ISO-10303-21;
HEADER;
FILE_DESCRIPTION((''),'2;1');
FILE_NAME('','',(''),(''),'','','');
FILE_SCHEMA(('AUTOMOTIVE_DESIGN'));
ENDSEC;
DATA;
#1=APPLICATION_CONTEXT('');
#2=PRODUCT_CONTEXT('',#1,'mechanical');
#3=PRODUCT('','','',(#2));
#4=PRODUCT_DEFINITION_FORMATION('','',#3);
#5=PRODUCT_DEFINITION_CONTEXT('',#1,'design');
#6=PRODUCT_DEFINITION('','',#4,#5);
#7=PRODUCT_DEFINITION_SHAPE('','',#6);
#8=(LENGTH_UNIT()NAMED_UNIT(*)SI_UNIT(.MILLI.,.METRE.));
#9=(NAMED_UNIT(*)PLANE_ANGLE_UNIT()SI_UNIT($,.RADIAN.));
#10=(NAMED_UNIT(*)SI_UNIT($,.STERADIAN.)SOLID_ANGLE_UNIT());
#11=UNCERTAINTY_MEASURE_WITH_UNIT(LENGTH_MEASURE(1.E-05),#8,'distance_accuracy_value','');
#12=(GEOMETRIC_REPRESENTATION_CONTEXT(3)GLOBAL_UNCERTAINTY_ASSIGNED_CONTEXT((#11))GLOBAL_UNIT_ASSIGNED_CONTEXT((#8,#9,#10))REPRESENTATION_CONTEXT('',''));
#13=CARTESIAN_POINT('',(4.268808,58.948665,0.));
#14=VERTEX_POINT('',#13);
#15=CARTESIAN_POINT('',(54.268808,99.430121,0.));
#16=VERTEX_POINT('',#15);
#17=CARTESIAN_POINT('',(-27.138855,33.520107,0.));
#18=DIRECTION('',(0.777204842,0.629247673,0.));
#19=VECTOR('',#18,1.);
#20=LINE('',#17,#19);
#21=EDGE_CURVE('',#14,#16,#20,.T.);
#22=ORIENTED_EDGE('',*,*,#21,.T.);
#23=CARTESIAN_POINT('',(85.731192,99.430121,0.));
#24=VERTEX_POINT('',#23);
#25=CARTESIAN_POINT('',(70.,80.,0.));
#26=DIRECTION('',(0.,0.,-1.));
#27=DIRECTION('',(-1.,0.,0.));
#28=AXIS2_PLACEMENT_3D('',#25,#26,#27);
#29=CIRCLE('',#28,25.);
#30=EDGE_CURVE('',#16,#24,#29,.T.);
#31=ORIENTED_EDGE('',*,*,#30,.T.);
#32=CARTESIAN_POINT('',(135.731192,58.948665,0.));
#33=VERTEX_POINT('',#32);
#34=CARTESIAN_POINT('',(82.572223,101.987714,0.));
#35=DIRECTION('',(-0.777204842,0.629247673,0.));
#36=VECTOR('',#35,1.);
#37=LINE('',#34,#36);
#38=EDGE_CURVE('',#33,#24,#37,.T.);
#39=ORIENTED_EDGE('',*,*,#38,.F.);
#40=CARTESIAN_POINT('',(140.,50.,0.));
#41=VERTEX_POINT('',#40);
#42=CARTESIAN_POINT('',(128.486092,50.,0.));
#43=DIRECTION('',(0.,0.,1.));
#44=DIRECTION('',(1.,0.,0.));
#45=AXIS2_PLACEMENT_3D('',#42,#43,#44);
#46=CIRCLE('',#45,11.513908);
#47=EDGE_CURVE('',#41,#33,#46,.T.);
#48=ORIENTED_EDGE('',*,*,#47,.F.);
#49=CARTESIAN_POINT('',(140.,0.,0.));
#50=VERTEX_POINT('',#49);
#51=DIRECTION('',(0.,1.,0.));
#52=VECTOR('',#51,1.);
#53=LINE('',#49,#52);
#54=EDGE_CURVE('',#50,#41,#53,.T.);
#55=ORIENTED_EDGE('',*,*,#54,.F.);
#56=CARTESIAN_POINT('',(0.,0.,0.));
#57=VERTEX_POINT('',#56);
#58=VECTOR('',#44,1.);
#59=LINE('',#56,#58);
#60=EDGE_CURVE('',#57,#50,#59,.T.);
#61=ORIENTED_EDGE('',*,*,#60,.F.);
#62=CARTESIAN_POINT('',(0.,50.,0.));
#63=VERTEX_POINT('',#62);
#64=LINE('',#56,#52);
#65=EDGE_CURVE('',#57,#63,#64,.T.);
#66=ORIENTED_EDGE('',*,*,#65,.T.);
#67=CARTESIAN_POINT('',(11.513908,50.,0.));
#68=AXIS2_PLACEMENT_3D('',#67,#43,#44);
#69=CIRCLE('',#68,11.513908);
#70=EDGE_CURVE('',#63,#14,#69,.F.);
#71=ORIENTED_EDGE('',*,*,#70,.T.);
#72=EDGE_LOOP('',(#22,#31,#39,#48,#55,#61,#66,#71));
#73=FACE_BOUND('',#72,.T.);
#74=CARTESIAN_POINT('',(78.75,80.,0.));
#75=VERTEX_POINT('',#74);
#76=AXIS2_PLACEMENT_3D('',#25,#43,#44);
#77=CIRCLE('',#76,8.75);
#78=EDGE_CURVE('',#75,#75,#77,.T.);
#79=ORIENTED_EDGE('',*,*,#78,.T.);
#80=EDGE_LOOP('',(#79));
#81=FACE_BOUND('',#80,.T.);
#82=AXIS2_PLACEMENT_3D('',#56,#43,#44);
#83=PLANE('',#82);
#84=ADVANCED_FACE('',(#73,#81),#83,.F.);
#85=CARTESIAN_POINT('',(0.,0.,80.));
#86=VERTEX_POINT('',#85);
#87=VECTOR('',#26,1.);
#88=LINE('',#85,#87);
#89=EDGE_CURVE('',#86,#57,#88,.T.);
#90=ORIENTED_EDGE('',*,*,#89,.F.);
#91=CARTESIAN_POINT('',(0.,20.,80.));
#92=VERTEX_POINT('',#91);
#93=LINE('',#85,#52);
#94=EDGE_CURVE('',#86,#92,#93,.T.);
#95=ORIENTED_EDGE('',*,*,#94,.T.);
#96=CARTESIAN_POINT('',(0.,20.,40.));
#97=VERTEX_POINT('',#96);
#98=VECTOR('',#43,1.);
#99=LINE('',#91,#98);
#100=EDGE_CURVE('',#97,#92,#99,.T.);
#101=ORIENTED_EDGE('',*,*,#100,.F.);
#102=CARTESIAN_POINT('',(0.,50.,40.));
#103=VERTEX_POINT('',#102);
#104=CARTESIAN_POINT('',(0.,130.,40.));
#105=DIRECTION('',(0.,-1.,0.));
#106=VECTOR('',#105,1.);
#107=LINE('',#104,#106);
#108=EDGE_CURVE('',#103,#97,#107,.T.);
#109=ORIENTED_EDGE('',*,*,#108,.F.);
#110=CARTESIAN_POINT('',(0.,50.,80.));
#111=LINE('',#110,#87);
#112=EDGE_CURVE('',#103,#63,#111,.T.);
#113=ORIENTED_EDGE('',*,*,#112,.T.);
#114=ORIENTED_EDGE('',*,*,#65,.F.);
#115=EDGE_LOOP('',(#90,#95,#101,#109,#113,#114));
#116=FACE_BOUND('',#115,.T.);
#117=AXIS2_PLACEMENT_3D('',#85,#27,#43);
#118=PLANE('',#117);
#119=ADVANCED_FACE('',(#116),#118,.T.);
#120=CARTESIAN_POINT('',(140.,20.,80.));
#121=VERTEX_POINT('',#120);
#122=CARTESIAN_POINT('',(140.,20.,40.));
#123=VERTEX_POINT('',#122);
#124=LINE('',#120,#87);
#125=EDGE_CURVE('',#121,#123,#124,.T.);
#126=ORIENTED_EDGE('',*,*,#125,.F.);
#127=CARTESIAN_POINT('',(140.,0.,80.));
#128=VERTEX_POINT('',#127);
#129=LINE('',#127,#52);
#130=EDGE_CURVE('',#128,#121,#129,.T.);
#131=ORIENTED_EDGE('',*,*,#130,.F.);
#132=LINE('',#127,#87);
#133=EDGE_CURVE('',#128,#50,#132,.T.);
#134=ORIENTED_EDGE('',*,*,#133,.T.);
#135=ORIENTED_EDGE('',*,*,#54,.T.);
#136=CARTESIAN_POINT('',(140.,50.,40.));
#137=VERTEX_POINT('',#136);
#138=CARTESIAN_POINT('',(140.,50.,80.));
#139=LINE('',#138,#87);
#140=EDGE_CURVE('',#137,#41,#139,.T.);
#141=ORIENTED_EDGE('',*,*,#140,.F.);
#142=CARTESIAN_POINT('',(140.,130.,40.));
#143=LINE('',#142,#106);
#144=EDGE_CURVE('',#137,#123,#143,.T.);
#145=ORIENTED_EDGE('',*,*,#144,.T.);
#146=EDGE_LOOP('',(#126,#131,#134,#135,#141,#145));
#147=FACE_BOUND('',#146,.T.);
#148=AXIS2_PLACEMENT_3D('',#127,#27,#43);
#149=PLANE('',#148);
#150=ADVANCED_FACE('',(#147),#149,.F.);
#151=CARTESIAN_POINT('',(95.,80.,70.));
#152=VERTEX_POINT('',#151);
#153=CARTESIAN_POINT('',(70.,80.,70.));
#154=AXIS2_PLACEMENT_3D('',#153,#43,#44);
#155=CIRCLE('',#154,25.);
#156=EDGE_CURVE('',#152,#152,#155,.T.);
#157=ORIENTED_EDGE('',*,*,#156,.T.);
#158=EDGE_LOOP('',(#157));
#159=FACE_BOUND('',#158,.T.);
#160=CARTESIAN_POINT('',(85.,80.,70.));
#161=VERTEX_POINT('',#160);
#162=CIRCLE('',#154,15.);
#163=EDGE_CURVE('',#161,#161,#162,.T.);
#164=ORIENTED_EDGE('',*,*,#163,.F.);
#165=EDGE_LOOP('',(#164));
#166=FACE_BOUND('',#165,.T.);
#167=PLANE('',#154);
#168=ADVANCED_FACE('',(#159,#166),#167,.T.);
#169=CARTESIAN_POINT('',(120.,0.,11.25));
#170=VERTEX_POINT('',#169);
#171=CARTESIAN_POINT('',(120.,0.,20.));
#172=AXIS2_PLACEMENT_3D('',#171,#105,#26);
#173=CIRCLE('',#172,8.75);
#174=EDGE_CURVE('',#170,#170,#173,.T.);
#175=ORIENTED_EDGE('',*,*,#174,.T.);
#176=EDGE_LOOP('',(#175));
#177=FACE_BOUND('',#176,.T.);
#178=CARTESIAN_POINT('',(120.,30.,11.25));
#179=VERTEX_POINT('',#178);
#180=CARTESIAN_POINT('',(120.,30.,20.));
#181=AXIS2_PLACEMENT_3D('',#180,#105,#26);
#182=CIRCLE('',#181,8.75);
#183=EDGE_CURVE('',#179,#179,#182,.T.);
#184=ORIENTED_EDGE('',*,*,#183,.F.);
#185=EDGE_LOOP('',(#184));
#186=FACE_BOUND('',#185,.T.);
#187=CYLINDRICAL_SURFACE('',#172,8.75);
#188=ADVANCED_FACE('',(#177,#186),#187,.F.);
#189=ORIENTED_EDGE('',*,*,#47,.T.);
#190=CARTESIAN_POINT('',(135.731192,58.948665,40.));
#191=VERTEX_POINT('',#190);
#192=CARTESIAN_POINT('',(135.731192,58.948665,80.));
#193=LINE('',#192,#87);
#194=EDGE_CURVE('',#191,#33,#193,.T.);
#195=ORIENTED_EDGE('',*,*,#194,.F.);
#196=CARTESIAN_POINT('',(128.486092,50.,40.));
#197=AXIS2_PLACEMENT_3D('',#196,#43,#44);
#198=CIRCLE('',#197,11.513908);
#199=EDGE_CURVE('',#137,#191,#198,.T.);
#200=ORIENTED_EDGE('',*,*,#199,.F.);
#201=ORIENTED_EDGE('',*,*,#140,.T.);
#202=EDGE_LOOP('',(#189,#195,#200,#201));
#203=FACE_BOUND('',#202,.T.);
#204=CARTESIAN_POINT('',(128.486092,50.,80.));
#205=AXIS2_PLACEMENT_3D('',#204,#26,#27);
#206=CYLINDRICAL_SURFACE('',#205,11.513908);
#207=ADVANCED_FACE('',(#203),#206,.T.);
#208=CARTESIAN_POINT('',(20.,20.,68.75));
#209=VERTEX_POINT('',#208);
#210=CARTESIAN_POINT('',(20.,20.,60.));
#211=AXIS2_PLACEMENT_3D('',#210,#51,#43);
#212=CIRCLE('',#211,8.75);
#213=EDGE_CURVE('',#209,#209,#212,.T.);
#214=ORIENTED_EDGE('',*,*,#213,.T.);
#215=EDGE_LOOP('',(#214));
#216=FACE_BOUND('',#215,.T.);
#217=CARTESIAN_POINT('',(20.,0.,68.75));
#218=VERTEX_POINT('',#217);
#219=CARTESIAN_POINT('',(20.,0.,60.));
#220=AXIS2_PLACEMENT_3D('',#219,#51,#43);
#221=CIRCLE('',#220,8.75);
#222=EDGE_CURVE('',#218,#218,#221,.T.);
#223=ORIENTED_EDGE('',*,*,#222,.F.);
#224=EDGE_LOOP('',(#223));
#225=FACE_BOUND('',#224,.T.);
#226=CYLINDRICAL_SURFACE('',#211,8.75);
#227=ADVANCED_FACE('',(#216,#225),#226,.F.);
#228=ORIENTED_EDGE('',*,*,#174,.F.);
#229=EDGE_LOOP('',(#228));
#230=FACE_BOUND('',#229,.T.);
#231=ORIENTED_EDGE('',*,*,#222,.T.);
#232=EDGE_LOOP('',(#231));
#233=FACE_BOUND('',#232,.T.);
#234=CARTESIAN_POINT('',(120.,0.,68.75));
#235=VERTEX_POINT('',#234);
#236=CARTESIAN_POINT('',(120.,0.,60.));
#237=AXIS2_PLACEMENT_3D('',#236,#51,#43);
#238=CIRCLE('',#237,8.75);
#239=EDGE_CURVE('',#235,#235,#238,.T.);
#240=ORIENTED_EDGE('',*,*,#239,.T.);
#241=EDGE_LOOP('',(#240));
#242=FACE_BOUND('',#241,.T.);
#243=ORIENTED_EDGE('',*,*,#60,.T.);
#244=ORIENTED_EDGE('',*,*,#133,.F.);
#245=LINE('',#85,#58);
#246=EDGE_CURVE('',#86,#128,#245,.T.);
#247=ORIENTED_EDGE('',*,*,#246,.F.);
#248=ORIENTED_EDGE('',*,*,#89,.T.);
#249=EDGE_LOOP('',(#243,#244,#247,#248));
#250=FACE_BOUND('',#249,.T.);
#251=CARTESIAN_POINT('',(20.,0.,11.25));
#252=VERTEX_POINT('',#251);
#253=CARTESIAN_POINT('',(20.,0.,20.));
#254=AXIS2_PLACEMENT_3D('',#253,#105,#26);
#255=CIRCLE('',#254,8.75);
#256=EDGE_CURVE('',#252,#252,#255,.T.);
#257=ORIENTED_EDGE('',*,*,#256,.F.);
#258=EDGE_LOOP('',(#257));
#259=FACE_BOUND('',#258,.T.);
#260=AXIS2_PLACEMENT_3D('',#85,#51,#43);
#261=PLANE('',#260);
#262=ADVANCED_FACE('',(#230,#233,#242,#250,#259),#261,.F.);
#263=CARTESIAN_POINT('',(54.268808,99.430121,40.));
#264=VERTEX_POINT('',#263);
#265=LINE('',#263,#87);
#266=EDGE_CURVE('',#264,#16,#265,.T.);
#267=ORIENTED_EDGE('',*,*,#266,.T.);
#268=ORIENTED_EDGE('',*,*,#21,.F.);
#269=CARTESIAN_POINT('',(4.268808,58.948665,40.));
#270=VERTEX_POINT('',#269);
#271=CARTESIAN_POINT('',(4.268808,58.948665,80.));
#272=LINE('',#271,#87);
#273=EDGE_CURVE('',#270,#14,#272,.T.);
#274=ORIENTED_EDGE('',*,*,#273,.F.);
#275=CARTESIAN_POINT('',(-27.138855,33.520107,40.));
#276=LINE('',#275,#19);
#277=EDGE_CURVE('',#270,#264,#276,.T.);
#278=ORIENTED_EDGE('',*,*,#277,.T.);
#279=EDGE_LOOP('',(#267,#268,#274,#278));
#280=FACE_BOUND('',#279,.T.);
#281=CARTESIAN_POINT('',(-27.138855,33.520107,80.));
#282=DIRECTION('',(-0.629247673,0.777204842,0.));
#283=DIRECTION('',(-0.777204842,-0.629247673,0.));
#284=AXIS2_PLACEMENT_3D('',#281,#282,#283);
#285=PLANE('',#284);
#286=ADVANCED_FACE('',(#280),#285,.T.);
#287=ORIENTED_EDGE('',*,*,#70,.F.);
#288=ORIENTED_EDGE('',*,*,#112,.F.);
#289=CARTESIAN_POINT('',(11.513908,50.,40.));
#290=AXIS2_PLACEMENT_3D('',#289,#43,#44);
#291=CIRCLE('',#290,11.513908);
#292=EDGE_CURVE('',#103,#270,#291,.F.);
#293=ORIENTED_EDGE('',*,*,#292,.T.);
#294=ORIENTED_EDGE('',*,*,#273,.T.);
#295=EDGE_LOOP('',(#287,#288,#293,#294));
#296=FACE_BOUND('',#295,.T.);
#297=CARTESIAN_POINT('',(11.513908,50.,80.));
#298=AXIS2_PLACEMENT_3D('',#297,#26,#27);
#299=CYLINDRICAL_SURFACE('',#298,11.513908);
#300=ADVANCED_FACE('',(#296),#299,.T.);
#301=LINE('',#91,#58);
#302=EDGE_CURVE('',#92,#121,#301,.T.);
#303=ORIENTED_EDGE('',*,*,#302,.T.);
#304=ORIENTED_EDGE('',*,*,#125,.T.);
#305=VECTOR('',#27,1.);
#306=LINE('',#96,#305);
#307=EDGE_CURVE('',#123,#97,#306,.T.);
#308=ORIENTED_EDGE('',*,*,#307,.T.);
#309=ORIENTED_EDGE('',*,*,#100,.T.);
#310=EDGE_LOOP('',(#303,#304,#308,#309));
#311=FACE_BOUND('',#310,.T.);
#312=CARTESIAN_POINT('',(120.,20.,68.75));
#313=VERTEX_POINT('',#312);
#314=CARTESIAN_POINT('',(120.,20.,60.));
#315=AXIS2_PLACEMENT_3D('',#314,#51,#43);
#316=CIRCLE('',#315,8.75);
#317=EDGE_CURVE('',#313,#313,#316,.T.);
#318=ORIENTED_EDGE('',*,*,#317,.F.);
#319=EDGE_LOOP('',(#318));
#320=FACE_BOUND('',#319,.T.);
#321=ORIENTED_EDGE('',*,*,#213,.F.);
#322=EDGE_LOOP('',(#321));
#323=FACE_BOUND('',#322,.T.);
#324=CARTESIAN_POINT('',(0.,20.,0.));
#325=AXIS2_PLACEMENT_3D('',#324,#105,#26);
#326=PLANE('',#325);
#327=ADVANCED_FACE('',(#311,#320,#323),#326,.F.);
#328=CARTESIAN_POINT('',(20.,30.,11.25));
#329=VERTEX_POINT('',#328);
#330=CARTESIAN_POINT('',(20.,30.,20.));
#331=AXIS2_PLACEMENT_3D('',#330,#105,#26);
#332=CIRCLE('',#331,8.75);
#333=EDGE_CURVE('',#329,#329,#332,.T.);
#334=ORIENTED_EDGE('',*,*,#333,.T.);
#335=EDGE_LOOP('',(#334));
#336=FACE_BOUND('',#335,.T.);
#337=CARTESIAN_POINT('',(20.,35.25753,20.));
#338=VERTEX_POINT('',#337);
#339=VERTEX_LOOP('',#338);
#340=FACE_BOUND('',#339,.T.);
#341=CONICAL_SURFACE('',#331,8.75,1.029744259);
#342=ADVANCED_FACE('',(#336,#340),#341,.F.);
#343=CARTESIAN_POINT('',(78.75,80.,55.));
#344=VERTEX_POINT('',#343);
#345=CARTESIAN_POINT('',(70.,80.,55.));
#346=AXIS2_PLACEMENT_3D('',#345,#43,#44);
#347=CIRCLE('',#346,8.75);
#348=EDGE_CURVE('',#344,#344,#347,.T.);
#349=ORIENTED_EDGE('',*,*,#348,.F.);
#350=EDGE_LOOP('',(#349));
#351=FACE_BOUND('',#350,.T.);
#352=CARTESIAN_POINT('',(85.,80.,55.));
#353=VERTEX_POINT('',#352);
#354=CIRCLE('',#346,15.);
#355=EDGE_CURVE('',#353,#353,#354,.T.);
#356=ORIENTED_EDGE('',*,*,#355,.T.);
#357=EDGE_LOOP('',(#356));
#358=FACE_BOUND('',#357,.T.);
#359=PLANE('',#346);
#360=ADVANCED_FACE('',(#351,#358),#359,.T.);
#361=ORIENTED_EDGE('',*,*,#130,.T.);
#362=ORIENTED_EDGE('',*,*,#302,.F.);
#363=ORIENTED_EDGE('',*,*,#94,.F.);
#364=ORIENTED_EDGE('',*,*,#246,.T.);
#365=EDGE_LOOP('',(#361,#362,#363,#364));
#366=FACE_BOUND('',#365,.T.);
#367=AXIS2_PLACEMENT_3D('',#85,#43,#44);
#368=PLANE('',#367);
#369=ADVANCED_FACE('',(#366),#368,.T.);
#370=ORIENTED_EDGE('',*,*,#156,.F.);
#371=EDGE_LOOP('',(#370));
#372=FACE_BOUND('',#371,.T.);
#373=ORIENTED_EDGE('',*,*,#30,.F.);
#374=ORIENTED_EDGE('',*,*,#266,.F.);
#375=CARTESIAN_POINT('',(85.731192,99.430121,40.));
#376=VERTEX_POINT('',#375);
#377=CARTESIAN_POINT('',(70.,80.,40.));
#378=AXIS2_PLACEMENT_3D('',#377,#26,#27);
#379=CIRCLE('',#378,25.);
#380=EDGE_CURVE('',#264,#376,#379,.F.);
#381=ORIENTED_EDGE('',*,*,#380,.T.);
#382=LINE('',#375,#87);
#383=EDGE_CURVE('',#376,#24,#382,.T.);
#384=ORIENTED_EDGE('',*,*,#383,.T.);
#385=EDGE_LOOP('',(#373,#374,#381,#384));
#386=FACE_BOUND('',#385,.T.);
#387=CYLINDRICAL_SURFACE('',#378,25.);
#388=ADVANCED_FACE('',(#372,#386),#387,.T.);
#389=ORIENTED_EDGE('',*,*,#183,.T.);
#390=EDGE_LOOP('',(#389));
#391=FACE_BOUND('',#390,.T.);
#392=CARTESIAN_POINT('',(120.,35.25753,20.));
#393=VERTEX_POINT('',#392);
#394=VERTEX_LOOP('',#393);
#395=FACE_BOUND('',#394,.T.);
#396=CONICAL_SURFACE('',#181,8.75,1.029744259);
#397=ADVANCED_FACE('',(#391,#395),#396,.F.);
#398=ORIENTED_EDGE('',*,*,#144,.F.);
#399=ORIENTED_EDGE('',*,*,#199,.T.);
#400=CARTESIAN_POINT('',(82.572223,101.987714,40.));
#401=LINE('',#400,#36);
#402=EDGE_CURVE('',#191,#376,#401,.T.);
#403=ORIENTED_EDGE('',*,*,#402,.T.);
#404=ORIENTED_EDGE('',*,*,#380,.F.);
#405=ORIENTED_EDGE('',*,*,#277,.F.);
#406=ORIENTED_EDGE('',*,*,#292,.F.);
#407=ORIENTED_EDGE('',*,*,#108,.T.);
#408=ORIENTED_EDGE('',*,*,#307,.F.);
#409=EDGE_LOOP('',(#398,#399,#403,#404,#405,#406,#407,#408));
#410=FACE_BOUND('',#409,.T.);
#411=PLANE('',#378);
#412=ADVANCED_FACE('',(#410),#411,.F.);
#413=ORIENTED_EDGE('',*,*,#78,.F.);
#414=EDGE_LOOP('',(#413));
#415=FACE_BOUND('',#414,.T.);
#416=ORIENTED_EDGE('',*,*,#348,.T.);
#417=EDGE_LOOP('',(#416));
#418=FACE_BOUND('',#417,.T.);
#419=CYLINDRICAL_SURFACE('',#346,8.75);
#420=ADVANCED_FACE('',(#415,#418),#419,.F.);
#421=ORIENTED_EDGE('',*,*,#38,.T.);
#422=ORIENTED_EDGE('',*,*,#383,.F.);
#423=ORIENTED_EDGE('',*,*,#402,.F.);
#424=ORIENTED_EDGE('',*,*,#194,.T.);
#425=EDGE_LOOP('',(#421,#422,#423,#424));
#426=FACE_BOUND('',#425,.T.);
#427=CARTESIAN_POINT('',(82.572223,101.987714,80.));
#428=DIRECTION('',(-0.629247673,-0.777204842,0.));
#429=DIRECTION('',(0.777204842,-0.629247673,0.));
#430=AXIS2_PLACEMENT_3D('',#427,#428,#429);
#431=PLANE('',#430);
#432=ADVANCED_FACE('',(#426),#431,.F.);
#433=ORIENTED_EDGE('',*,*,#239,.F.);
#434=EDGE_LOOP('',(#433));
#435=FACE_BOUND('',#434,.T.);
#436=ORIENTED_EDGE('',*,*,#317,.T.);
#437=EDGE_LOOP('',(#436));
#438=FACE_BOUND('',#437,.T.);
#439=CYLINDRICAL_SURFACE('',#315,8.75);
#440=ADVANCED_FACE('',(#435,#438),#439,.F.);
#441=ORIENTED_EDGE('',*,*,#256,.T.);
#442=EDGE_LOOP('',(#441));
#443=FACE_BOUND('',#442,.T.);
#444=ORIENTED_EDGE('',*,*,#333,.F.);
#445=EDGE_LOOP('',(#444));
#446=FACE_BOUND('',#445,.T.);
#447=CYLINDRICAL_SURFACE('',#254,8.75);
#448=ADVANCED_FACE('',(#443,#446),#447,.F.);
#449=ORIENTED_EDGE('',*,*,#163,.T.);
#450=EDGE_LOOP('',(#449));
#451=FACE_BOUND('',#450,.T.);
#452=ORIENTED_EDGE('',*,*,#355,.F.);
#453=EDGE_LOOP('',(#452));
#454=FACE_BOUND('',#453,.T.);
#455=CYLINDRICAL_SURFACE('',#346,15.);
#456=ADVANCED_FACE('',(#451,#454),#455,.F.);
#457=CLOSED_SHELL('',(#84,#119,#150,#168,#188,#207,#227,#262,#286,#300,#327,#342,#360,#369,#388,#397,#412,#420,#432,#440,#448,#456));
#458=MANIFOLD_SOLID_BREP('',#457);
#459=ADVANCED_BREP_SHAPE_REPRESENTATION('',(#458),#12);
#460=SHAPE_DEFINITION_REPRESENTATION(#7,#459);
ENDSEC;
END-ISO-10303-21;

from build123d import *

# Parameters (mm, degrees)
BOSS_EXTRUDE1_DEPTH    = 80
SKETCH2_R              = 25
BOSS_EXTRUDE2_DEPTH    = 40
CUT_EXTRUDE2_DEPTH     = 40
M20_TAPPED_HOLE2_D     = 17.5
M20_TAPPED_HOLE2_DEPTH = 30
M20_TAPPED_HOLE2_TIP   = 5.257530416
SKETCH9_W              = 140
SKETCH9_H              = 40
CUT_EXTRUDE3_DEPTH     = 110
M20_TAPPED_HOLE3_D     = 17.5
M20_TAPPED_HOLE3_DEPTH = 37.5
M20_TAPPED_HOLE3_TIP   = 5.257530416
SKETCH14_R             = 25
SKETCH14_R_2           = 15
BOSS_EXTRUDE3_DEPTH    = 30
SKETCH15_R             = 15
BOSS_EXTRUDE4_DEPTH    = 30
SKETCH16_R             = 15
CUT_EXTRUDE4_DEPTH     = 15
M20_TAPPED_HOLE4_D     = 17.5
M20_TAPPED_HOLE4_DEPTH = 60
M20_TAPPED_HOLE4_TIP   = 5.257530416


with BuildPart() as part:
    # Sketch1 → Boss-Extrude1 (new body)
    with BuildSketch(Plane.XY):
        with BuildLine():
            Line((54.268808187, 99.430121053), (4.268808187, 58.948665044))
            ThreePointArc((4.268808187, 58.948665044), (1.121855986, 54.957351344), (0, 50))
            Line((0, 50), (0, 0))
            Line((0, 0), (140, 0))
            Line((140, 0), (140, 50))
            ThreePointArc((140, 50), (138.878144014, 54.957351344), (135.731191813, 58.948665044))
            Line((135.731191813, 58.948665044), (85.731191813, 99.430121053))
            ThreePointArc((85.731191813, 99.430121053), (92.56412856, 90.763833069), (95, 80))
            ThreePointArc((95, 80), (59.236166931, 57.43587144), (54.268808187, 99.430121053))
        make_face()
    extrude(amount=BOSS_EXTRUDE1_DEPTH)

    # Sketch2 → Boss-Extrude2 (add)
    with BuildSketch(Plane(origin=(0, 0, 0), x_dir=(-1, 0, 0), z_dir=(0, 0, -1))):
        with Locations((-70, 80)):
            Circle(SKETCH2_R)
    extrude(amount=-BOSS_EXTRUDE2_DEPTH)

    # Sketch3 → Cut-Extrude2 (cut)
    with BuildSketch(Plane.XY.offset(80)):
        with BuildLine():
            ThreePointArc((54.268808187, 99.430121053), (47.43587144, 90.763833069), (45, 80))
            Line((45, 80), (95, 80))
            ThreePointArc((95, 80), (92.56412856, 90.763833069), (85.731191813, 99.430121053))
            Line((85.731191813, 99.430121053), (95, 91.925824036))
            Line((95, 91.925824036), (95, 118.127818218))
            Line((95, 118.127818218), (45, 118.127818218))
            Line((45, 118.127818218), (45, 91.925824036))
            Line((45, 91.925824036), (54.268808187, 99.430121053))
        make_face()
        with BuildLine():
            Line((45, 91.925824036), (45, 80))
            ThreePointArc((45, 80), (47.43587144, 90.763833069), (54.268808187, 99.430121053))
            Line((54.268808187, 99.430121053), (45, 91.925824036))
        make_face()
        with BuildLine():
            ThreePointArc((85.731191813, 99.430121053), (92.56412856, 90.763833069), (95, 80))
            Line((95, 80), (95, 91.925824036))
            Line((95, 91.925824036), (85.731191813, 99.430121053))
        make_face()
    extrude(amount=-CUT_EXTRUDE2_DEPTH, mode=Mode.SUBTRACT)

    # M20 Tapped Hole2
    with Locations(Plane(origin=(20, 0, 20), x_dir=(0, 0, -1), z_dir=(0, -1, 0))):
        with Locations((0, 0), (0, 100)):
            Hole(M20_TAPPED_HOLE2_D / 2, depth=M20_TAPPED_HOLE2_DEPTH)
            with Locations((0, 0, -(M20_TAPPED_HOLE2_DEPTH + M20_TAPPED_HOLE2_TIP / 2))):  # 118° drill point
                Cone(0, M20_TAPPED_HOLE2_D / 2, M20_TAPPED_HOLE2_TIP, mode=Mode.SUBTRACT)

    # Sketch9 → Cut-Extrude3 (cut)
    with BuildSketch(Plane(origin=(0, 20, 0), x_dir=(1, 0, 0), z_dir=(0, 1, 0))):
        with Locations((70, -60)):
            Rectangle(SKETCH9_W, SKETCH9_H)
    extrude(amount=CUT_EXTRUDE3_DEPTH, mode=Mode.SUBTRACT)

    # M20 Tapped Hole3
    with Locations(Plane(origin=(20, 20, 60), x_dir=(0, 0, 1), z_dir=(0, 1, 0))):
        with Locations((0, 0), (0, 100)):
            Hole(M20_TAPPED_HOLE3_D / 2, depth=M20_TAPPED_HOLE3_DEPTH)
            with Locations((0, 0, -(M20_TAPPED_HOLE3_DEPTH + M20_TAPPED_HOLE3_TIP / 2))):  # 118° drill point
                Cone(0, M20_TAPPED_HOLE3_D / 2, M20_TAPPED_HOLE3_TIP, mode=Mode.SUBTRACT)

    # Sketch14 → Boss-Extrude3 (add)
    with BuildSketch(Plane.XY.offset(40)):
        with Locations(Location((70, 80, 0), (0, 0, 128.994638965))):
            Circle(SKETCH14_R)
        with Locations((70, 80)):
            Circle(SKETCH14_R_2, mode=Mode.SUBTRACT)
    extrude(amount=BOSS_EXTRUDE3_DEPTH)

    # Sketch15 → Boss-Extrude4 (add)
    with BuildSketch(Plane.XY.offset(40)):
        with Locations((70, 80)):
            Circle(SKETCH15_R)
    extrude(amount=BOSS_EXTRUDE4_DEPTH)

    # Sketch16 → Cut-Extrude4 (cut)
    with BuildSketch(Plane.XY.offset(70)):
        with Locations((70, 80)):
            Circle(SKETCH16_R)
    extrude(amount=-CUT_EXTRUDE4_DEPTH, mode=Mode.SUBTRACT)

    # M20 Tapped Hole4
    with Locations(Plane(origin=(70, 80, 55), x_dir=(1, 0, 0), z_dir=(0, 0, 1))):
        with Locations((0, 0)):
            Hole(M20_TAPPED_HOLE4_D / 2, depth=M20_TAPPED_HOLE4_DEPTH)
            with Locations((0, 0, -(M20_TAPPED_HOLE4_DEPTH + M20_TAPPED_HOLE4_TIP / 2))):  # 118° drill point
                Cone(0, M20_TAPPED_HOLE4_D / 2, M20_TAPPED_HOLE4_TIP, mode=Mode.SUBTRACT)


solid = part.part
